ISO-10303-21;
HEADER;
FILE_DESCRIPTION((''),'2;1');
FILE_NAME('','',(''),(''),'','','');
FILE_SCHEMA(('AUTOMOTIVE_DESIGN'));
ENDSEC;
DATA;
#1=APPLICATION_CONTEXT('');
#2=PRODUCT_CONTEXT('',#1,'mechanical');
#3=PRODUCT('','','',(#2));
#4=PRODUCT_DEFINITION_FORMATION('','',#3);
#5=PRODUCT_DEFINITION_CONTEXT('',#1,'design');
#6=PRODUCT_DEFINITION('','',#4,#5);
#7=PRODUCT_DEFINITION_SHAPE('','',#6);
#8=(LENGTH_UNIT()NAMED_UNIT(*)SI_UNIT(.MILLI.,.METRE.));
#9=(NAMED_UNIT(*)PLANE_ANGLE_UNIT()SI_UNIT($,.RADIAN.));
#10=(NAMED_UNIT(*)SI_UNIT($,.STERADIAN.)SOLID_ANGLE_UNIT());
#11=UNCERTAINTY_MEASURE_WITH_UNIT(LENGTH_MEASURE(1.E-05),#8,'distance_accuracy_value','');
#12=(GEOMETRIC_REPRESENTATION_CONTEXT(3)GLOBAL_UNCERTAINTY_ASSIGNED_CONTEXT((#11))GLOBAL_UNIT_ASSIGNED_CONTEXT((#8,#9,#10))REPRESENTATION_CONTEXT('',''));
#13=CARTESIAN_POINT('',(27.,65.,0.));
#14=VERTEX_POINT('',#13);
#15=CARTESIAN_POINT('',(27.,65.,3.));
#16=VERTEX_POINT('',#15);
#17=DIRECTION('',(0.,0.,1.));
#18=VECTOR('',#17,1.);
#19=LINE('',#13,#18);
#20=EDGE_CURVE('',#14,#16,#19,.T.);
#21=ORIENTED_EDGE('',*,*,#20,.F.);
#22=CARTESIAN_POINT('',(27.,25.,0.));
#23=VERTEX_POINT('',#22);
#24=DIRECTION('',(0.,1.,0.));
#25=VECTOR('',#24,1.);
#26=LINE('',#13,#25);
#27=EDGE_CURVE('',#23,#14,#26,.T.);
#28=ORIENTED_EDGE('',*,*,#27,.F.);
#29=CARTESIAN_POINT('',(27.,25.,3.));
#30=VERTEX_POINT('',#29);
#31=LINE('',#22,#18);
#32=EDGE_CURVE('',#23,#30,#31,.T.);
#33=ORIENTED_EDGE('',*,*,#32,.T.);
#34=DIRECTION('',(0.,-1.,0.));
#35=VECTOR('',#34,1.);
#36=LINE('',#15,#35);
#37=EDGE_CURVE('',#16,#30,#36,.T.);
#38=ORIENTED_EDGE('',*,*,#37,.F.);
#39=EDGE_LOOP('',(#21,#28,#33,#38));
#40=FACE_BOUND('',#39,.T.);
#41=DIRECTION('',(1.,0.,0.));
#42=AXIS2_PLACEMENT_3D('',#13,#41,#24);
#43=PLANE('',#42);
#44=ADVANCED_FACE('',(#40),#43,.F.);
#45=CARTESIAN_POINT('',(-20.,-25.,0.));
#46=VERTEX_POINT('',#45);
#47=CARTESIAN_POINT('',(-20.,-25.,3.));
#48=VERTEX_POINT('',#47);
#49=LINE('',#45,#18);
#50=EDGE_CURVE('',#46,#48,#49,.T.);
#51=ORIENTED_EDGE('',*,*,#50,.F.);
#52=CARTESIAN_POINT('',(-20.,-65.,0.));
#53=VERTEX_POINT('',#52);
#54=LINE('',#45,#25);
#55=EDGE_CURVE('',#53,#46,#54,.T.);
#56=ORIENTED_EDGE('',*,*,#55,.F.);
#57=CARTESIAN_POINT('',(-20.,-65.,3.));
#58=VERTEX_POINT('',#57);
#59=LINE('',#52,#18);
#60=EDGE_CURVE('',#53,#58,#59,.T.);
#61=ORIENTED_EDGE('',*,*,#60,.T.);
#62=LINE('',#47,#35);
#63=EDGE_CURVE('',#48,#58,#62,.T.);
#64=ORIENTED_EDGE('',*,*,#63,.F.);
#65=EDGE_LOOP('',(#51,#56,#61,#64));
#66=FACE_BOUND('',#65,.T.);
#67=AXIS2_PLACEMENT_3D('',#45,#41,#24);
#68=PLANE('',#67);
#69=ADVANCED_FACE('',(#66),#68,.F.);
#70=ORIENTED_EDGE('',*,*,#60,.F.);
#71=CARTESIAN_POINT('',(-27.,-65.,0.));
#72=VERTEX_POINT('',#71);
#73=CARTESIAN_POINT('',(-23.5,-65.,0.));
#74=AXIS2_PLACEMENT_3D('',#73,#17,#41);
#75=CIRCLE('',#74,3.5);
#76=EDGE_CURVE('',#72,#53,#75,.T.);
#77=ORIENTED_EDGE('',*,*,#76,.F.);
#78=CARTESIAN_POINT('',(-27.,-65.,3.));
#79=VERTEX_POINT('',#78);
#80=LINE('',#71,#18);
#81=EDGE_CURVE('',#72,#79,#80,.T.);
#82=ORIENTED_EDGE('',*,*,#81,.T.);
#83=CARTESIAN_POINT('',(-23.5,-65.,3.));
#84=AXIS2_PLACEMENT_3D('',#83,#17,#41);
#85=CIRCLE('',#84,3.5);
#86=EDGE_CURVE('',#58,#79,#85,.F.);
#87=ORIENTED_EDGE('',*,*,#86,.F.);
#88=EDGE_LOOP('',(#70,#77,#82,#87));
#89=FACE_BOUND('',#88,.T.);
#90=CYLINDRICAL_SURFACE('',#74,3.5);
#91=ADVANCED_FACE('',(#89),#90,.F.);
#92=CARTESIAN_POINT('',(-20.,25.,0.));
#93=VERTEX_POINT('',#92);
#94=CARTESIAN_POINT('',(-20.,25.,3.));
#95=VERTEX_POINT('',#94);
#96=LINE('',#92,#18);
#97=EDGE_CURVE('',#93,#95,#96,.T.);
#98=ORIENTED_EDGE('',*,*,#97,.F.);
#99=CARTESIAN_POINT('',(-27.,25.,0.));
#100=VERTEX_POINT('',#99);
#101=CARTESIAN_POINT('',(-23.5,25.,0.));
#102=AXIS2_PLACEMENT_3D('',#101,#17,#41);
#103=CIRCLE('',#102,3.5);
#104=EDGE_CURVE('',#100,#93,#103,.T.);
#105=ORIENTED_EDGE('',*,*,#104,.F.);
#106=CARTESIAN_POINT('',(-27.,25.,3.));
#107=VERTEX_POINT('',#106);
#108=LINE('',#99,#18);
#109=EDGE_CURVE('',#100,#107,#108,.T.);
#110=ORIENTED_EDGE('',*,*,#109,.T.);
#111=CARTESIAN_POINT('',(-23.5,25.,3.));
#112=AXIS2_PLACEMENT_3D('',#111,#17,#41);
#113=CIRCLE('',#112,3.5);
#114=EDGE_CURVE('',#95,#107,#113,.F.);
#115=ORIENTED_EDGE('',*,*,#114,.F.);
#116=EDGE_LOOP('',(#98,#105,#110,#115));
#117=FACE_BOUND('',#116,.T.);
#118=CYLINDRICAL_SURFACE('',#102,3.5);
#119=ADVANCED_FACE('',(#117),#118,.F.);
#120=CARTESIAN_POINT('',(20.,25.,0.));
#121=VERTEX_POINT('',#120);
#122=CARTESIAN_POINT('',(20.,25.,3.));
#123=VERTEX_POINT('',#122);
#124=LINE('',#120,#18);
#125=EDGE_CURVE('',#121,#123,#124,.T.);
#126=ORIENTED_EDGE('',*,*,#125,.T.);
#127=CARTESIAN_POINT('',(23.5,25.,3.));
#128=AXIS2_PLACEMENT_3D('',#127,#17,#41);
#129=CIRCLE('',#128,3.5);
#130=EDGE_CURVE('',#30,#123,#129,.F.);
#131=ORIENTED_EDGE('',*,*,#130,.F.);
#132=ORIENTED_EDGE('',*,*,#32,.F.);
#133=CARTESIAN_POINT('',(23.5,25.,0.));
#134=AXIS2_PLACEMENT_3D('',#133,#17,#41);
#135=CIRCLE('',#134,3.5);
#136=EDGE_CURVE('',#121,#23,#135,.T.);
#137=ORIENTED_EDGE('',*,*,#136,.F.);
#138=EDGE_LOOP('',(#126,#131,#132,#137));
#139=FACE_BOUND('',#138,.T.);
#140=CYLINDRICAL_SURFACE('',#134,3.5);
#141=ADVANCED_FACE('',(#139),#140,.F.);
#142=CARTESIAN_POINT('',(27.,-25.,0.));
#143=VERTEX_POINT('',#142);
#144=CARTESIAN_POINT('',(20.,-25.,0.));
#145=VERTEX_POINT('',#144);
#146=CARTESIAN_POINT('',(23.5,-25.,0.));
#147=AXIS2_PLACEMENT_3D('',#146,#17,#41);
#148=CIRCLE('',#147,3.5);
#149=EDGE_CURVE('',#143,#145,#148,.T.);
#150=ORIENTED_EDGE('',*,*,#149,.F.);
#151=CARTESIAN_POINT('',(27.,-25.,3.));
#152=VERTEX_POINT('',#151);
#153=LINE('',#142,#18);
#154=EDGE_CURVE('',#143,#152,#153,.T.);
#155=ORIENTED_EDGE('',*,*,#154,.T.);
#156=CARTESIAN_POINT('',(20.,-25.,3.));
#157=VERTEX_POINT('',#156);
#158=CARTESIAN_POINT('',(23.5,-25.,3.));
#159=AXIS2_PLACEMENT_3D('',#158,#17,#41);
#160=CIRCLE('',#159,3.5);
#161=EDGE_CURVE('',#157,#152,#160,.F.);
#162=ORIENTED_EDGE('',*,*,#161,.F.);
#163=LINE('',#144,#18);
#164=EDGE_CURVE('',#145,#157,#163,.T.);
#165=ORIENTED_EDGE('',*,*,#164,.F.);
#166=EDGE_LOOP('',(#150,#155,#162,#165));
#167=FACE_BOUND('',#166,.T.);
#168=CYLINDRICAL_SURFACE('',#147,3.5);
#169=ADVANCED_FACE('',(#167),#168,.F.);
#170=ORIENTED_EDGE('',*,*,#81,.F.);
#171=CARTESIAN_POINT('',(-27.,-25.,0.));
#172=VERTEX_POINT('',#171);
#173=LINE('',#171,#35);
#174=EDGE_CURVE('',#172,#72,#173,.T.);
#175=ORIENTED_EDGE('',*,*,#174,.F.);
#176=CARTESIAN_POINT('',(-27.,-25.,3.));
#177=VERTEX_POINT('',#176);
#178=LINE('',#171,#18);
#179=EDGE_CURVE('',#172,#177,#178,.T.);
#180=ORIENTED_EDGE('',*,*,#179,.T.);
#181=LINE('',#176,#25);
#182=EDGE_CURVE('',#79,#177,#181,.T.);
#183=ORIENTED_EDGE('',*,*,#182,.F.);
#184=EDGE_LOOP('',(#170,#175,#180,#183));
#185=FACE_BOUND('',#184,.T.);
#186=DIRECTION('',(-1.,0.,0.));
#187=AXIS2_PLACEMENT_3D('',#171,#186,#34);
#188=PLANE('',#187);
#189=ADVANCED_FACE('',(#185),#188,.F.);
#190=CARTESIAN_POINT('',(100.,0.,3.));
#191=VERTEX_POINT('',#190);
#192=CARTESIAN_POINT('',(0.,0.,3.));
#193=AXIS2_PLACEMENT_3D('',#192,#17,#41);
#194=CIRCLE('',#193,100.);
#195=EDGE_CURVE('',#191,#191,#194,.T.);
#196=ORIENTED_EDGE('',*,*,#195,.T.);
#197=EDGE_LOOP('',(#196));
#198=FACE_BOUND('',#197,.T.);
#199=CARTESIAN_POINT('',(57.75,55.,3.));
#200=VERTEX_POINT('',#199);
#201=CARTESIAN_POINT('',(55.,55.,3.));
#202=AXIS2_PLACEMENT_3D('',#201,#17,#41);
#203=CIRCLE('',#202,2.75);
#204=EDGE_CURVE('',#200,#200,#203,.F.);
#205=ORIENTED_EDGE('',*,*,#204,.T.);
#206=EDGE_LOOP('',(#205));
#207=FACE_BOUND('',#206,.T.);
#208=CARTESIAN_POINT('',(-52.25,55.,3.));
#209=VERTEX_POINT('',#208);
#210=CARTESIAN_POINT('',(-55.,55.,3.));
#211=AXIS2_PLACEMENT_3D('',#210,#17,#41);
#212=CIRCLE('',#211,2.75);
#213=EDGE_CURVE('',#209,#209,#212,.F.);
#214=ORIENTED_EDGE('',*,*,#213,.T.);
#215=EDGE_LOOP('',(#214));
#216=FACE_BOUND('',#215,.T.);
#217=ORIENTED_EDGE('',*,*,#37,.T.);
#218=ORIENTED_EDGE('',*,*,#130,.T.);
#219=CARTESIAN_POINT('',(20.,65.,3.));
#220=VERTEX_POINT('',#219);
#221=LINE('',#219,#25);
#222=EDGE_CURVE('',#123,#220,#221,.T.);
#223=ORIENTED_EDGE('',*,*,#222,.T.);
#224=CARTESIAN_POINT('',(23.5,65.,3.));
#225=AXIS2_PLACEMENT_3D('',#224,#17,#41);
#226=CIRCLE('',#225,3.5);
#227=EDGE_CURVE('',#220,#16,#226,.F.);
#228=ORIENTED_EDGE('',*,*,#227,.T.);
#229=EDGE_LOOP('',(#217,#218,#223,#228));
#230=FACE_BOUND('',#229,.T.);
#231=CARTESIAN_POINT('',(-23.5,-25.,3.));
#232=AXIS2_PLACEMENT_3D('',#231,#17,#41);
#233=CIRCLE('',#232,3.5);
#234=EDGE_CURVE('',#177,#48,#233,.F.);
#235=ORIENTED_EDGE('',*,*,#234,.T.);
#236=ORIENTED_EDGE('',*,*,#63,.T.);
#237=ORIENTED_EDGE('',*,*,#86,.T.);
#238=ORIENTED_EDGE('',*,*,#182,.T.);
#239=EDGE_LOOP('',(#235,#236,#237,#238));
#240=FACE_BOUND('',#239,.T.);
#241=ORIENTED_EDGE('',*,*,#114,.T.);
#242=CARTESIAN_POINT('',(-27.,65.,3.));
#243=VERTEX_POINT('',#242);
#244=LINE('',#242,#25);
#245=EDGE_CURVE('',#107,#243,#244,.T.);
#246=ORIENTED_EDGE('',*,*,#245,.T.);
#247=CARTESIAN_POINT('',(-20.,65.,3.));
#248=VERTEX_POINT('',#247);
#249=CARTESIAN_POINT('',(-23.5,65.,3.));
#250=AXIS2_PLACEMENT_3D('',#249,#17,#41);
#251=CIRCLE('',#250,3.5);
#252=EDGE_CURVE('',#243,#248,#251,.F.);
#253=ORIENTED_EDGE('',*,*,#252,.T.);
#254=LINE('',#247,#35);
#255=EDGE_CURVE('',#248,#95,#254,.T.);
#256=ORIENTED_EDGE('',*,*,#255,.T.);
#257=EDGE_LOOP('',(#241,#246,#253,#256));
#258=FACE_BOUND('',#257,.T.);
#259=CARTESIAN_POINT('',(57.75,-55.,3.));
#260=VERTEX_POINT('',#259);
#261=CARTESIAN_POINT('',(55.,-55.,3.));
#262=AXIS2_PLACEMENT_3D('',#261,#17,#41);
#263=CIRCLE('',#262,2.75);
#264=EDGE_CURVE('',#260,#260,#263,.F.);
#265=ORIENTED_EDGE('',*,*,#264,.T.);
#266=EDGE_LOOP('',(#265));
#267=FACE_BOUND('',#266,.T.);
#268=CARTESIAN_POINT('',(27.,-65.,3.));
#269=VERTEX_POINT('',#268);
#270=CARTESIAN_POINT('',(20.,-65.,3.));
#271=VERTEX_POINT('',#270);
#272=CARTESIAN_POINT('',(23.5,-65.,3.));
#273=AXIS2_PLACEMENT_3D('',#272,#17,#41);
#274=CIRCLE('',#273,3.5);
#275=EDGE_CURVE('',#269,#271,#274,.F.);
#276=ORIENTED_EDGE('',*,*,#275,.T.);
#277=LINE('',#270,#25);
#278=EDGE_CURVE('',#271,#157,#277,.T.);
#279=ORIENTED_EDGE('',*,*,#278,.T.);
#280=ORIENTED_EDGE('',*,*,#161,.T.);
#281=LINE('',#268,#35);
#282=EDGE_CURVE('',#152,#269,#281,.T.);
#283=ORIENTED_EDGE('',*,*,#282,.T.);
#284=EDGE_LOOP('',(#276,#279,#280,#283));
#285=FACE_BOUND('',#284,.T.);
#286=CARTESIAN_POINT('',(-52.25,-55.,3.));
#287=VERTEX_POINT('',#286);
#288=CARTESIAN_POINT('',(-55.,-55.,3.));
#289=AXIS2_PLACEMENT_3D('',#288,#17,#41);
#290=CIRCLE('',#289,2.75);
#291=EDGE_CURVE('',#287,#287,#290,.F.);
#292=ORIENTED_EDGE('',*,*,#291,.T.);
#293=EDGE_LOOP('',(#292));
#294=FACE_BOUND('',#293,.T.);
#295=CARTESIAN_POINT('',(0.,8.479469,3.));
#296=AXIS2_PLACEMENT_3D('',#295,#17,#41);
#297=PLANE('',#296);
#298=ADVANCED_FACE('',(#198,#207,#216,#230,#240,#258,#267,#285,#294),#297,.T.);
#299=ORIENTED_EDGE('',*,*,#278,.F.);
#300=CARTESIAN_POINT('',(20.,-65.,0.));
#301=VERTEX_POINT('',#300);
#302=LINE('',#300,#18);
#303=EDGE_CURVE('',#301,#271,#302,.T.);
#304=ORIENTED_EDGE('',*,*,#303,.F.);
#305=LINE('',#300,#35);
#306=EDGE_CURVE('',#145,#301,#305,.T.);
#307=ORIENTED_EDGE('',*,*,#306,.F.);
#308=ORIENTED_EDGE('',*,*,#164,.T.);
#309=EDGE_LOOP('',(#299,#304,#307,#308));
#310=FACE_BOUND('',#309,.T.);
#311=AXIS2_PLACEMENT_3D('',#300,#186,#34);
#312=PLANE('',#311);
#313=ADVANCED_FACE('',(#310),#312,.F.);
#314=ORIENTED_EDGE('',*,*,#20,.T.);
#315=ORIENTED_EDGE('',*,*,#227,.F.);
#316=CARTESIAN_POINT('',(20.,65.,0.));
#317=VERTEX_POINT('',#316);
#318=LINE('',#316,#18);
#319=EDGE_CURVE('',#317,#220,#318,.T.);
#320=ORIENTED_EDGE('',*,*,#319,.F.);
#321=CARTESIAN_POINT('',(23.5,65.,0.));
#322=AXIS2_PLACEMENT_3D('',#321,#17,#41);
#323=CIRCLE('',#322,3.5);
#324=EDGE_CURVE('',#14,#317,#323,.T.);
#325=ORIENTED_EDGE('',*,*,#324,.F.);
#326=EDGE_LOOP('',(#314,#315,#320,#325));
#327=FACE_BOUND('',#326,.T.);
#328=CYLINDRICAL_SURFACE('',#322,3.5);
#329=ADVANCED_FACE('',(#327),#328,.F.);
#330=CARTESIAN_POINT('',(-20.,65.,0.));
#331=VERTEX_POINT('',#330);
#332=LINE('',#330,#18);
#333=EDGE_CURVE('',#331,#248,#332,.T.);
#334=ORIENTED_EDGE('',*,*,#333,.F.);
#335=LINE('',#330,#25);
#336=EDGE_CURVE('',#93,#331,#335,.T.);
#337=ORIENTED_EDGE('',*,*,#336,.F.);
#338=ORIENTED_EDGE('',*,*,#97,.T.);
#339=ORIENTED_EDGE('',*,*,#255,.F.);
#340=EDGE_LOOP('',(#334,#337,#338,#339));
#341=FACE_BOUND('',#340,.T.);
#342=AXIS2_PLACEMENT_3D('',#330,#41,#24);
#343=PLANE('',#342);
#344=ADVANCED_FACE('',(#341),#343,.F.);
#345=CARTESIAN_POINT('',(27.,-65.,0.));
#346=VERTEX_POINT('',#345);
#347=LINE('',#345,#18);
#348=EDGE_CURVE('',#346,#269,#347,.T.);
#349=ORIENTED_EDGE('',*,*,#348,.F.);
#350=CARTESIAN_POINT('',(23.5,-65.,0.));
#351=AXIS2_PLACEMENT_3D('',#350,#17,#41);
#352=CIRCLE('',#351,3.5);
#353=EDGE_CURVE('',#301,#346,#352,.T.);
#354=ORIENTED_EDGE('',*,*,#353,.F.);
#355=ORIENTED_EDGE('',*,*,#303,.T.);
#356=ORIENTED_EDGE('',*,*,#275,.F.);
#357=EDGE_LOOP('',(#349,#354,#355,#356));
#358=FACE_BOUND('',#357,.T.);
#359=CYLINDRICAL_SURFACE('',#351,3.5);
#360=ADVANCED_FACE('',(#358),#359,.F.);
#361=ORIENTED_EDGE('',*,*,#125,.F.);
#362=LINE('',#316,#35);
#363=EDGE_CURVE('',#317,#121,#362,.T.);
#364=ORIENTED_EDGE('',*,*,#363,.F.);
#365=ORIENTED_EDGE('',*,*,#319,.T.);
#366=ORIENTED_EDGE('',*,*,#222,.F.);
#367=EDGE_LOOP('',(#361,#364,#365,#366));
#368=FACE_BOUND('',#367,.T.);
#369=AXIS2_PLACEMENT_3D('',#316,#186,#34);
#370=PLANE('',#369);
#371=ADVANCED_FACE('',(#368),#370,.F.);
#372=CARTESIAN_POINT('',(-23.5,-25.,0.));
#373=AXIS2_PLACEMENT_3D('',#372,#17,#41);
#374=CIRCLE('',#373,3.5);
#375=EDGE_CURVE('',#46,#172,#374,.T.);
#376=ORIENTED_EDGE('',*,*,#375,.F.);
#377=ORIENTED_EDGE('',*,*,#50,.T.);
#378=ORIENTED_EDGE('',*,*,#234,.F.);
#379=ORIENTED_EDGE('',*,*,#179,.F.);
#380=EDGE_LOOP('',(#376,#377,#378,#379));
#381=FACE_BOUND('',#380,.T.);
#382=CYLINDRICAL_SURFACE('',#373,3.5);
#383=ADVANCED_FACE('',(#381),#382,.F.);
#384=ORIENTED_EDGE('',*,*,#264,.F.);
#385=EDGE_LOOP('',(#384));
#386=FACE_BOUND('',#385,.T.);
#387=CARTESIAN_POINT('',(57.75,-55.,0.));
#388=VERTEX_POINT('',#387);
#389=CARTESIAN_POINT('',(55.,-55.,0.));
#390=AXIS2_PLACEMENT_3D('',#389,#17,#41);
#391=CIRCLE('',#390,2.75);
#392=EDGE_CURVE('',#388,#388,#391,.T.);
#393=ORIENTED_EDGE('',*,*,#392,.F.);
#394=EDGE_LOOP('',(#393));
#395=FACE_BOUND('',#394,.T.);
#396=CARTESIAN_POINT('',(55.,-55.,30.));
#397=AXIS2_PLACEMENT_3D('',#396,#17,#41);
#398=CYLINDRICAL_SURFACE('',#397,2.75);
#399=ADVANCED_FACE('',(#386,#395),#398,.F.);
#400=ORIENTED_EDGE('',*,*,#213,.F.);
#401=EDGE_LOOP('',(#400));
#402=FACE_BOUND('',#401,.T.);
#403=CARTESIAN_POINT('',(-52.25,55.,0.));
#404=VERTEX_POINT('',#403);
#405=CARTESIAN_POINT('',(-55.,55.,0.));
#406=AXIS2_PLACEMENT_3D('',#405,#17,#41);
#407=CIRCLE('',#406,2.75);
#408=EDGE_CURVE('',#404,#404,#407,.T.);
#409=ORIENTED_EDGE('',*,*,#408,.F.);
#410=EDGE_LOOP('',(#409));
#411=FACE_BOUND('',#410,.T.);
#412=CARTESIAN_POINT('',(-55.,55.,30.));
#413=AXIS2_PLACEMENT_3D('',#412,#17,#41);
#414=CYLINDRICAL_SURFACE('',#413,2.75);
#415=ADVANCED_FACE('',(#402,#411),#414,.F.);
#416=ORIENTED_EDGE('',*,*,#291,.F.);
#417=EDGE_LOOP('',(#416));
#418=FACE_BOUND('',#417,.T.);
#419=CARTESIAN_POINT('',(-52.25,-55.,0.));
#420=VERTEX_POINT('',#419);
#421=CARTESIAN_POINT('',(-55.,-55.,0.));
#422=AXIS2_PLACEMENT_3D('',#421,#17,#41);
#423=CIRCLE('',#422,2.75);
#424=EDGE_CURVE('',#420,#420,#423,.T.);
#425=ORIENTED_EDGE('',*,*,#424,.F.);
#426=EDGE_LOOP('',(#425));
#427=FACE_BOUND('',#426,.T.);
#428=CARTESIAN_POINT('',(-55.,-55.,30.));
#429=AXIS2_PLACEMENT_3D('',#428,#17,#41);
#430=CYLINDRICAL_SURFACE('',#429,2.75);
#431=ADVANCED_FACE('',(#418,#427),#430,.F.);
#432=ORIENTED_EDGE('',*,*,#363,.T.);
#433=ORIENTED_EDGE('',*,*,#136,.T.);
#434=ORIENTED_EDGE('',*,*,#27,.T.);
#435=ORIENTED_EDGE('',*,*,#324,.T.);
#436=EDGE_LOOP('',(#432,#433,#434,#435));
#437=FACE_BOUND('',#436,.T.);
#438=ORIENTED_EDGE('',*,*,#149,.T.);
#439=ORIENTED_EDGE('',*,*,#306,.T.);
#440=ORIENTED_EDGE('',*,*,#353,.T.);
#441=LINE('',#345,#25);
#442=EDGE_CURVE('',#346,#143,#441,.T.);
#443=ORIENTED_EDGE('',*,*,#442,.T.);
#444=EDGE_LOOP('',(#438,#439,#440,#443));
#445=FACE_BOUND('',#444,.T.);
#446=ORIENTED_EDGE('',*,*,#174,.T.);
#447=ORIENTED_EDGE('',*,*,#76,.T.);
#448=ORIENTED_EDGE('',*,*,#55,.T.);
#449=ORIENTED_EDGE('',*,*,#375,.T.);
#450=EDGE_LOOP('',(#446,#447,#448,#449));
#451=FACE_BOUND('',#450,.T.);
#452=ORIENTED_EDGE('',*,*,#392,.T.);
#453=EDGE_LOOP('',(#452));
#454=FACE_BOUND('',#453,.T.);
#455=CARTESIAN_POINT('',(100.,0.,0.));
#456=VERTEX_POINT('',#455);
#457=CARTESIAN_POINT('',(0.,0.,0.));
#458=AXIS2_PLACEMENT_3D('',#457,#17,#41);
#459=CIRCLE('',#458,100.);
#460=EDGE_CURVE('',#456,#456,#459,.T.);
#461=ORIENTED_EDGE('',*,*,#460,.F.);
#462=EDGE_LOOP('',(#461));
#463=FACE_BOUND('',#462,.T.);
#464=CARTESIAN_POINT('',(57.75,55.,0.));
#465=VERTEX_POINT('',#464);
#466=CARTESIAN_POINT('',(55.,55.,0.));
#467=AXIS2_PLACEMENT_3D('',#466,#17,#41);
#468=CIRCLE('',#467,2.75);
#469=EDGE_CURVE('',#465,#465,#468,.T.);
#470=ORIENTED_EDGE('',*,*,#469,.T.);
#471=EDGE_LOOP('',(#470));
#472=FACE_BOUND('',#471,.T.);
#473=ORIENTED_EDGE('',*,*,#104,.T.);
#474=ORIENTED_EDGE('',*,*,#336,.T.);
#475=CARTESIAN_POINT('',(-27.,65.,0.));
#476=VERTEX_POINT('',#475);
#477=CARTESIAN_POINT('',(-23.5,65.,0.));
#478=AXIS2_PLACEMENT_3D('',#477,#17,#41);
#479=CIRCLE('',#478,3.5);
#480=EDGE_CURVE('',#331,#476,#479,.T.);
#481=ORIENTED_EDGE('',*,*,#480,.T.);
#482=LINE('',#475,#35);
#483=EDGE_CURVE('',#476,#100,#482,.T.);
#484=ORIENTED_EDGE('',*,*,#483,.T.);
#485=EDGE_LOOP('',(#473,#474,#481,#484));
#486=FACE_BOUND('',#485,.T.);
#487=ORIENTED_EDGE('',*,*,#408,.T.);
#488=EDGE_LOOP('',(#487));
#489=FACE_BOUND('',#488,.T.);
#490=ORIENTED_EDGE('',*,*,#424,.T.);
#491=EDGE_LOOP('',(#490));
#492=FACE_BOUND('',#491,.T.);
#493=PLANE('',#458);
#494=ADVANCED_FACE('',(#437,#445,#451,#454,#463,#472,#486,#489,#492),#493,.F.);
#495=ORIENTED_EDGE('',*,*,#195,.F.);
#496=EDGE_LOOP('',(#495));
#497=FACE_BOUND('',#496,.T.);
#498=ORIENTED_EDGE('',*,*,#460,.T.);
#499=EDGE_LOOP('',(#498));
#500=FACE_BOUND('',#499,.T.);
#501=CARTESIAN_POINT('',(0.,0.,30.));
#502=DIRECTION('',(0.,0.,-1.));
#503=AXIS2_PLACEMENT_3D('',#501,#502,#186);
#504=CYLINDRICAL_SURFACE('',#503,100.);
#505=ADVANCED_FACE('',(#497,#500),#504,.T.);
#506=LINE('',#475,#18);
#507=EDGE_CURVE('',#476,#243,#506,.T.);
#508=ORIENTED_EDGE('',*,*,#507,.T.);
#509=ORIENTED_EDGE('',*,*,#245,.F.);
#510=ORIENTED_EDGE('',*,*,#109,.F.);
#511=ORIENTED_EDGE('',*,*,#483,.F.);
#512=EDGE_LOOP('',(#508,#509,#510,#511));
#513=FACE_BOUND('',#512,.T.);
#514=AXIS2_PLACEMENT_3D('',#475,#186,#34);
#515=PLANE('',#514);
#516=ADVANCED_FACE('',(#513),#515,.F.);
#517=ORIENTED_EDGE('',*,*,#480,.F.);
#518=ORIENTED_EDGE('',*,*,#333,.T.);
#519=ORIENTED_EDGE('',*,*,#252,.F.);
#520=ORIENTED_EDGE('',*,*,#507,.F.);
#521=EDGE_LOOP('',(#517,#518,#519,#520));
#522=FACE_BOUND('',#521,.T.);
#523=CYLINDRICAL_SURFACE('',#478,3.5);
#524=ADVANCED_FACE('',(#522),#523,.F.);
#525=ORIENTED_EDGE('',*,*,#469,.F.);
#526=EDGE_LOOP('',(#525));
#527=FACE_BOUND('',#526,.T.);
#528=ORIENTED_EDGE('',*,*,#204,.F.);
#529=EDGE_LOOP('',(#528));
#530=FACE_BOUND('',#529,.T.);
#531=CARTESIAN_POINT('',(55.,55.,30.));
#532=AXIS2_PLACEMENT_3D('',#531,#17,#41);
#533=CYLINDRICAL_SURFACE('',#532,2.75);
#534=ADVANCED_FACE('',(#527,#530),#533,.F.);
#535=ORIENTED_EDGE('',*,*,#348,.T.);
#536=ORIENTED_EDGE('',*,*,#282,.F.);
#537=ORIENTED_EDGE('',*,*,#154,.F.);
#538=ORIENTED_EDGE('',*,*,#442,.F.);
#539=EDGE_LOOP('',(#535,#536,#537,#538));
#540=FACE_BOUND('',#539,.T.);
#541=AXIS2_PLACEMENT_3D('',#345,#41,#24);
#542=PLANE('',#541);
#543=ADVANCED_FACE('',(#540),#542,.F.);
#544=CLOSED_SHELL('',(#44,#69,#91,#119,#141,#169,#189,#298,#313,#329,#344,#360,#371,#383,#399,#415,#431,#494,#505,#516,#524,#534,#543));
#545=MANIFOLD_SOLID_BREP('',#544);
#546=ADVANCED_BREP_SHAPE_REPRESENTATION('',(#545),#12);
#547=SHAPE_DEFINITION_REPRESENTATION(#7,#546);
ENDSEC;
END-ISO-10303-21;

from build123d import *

# Parameters (mm, degrees)
IZIM1_R                     = 100
Y_KSEKLIK_EKSTR_ZYON1_DEPTH = 30
KES_EKSTR_ZYON1_DEPTH       = 145.568322948
M5_BO_LUKLU_DELIK2_D        = 5.5
IZIM20_R                    = 183.537558205
KES_EKSTR_ZYON3_DEPTH       = 27


with BuildPart() as part:
    # Çizim1 → Yükseklik-Ekstrüzyon1 (new body)
    with BuildSketch(Plane.XY):
        Circle(IZIM1_R)
    extrude(amount=Y_KSEKLIK_EKSTR_ZYON1_DEPTH)

    # Çizim9 → Kes-Ekstrüzyon1 (cut, through all)
    with BuildSketch(Plane.XY.offset(30)):
        with BuildLine():
            Line((27, 65), (27, 25))
            ThreePointArc((27, 25), (23.5, 21.5), (20, 25))
            Line((20, 25), (20, 65))
            ThreePointArc((20, 65), (23.5, 68.5), (27, 65))
        make_face()
        with BuildLine():
            Line((-20, 65), (-20, 25))
            ThreePointArc((-20, 25), (-23.5, 21.5), (-27, 25))
            Line((-27, 25), (-27, 65))
            ThreePointArc((-27, 65), (-23.5, 68.5), (-20, 65))
        make_face()
        with BuildLine():
            Line((-20, -25), (-20, -65))
            ThreePointArc((-20, -65), (-23.5, -68.5), (-27, -65))
            Line((-27, -65), (-27, -25))
            ThreePointArc((-27, -25), (-23.5, -21.5), (-20, -25))
        make_face()
        with BuildLine():
            Line((20, -65), (20, -25))
            ThreePointArc((20, -25), (23.5, -21.5), (27, -25))
            Line((27, -25), (27, -65))
            ThreePointArc((27, -65), (23.5, -68.5), (20, -65))
        make_face()
    extrude(amount=-KES_EKSTR_ZYON1_DEPTH, mode=Mode.SUBTRACT)

    # M5 Boşluklu Delik2 (through all)
    with Locations(Plane.XY.offset(30)):
        with Locations((-55, 55), (55, 55), (55, -55), (-55, -55)):
            Hole(M5_BO_LUKLU_DELIK2_D / 2)

    # Çizim20 → Kes-Ekstrüzyon3 (cut)
    with BuildSketch(Plane.XY.offset(30)):
        with Locations((0, 8.479468632)):
            Circle(IZIM20_R)
    extrude(amount=-KES_EKSTR_ZYON3_DEPTH, mode=Mode.SUBTRACT)


solid = part.part
